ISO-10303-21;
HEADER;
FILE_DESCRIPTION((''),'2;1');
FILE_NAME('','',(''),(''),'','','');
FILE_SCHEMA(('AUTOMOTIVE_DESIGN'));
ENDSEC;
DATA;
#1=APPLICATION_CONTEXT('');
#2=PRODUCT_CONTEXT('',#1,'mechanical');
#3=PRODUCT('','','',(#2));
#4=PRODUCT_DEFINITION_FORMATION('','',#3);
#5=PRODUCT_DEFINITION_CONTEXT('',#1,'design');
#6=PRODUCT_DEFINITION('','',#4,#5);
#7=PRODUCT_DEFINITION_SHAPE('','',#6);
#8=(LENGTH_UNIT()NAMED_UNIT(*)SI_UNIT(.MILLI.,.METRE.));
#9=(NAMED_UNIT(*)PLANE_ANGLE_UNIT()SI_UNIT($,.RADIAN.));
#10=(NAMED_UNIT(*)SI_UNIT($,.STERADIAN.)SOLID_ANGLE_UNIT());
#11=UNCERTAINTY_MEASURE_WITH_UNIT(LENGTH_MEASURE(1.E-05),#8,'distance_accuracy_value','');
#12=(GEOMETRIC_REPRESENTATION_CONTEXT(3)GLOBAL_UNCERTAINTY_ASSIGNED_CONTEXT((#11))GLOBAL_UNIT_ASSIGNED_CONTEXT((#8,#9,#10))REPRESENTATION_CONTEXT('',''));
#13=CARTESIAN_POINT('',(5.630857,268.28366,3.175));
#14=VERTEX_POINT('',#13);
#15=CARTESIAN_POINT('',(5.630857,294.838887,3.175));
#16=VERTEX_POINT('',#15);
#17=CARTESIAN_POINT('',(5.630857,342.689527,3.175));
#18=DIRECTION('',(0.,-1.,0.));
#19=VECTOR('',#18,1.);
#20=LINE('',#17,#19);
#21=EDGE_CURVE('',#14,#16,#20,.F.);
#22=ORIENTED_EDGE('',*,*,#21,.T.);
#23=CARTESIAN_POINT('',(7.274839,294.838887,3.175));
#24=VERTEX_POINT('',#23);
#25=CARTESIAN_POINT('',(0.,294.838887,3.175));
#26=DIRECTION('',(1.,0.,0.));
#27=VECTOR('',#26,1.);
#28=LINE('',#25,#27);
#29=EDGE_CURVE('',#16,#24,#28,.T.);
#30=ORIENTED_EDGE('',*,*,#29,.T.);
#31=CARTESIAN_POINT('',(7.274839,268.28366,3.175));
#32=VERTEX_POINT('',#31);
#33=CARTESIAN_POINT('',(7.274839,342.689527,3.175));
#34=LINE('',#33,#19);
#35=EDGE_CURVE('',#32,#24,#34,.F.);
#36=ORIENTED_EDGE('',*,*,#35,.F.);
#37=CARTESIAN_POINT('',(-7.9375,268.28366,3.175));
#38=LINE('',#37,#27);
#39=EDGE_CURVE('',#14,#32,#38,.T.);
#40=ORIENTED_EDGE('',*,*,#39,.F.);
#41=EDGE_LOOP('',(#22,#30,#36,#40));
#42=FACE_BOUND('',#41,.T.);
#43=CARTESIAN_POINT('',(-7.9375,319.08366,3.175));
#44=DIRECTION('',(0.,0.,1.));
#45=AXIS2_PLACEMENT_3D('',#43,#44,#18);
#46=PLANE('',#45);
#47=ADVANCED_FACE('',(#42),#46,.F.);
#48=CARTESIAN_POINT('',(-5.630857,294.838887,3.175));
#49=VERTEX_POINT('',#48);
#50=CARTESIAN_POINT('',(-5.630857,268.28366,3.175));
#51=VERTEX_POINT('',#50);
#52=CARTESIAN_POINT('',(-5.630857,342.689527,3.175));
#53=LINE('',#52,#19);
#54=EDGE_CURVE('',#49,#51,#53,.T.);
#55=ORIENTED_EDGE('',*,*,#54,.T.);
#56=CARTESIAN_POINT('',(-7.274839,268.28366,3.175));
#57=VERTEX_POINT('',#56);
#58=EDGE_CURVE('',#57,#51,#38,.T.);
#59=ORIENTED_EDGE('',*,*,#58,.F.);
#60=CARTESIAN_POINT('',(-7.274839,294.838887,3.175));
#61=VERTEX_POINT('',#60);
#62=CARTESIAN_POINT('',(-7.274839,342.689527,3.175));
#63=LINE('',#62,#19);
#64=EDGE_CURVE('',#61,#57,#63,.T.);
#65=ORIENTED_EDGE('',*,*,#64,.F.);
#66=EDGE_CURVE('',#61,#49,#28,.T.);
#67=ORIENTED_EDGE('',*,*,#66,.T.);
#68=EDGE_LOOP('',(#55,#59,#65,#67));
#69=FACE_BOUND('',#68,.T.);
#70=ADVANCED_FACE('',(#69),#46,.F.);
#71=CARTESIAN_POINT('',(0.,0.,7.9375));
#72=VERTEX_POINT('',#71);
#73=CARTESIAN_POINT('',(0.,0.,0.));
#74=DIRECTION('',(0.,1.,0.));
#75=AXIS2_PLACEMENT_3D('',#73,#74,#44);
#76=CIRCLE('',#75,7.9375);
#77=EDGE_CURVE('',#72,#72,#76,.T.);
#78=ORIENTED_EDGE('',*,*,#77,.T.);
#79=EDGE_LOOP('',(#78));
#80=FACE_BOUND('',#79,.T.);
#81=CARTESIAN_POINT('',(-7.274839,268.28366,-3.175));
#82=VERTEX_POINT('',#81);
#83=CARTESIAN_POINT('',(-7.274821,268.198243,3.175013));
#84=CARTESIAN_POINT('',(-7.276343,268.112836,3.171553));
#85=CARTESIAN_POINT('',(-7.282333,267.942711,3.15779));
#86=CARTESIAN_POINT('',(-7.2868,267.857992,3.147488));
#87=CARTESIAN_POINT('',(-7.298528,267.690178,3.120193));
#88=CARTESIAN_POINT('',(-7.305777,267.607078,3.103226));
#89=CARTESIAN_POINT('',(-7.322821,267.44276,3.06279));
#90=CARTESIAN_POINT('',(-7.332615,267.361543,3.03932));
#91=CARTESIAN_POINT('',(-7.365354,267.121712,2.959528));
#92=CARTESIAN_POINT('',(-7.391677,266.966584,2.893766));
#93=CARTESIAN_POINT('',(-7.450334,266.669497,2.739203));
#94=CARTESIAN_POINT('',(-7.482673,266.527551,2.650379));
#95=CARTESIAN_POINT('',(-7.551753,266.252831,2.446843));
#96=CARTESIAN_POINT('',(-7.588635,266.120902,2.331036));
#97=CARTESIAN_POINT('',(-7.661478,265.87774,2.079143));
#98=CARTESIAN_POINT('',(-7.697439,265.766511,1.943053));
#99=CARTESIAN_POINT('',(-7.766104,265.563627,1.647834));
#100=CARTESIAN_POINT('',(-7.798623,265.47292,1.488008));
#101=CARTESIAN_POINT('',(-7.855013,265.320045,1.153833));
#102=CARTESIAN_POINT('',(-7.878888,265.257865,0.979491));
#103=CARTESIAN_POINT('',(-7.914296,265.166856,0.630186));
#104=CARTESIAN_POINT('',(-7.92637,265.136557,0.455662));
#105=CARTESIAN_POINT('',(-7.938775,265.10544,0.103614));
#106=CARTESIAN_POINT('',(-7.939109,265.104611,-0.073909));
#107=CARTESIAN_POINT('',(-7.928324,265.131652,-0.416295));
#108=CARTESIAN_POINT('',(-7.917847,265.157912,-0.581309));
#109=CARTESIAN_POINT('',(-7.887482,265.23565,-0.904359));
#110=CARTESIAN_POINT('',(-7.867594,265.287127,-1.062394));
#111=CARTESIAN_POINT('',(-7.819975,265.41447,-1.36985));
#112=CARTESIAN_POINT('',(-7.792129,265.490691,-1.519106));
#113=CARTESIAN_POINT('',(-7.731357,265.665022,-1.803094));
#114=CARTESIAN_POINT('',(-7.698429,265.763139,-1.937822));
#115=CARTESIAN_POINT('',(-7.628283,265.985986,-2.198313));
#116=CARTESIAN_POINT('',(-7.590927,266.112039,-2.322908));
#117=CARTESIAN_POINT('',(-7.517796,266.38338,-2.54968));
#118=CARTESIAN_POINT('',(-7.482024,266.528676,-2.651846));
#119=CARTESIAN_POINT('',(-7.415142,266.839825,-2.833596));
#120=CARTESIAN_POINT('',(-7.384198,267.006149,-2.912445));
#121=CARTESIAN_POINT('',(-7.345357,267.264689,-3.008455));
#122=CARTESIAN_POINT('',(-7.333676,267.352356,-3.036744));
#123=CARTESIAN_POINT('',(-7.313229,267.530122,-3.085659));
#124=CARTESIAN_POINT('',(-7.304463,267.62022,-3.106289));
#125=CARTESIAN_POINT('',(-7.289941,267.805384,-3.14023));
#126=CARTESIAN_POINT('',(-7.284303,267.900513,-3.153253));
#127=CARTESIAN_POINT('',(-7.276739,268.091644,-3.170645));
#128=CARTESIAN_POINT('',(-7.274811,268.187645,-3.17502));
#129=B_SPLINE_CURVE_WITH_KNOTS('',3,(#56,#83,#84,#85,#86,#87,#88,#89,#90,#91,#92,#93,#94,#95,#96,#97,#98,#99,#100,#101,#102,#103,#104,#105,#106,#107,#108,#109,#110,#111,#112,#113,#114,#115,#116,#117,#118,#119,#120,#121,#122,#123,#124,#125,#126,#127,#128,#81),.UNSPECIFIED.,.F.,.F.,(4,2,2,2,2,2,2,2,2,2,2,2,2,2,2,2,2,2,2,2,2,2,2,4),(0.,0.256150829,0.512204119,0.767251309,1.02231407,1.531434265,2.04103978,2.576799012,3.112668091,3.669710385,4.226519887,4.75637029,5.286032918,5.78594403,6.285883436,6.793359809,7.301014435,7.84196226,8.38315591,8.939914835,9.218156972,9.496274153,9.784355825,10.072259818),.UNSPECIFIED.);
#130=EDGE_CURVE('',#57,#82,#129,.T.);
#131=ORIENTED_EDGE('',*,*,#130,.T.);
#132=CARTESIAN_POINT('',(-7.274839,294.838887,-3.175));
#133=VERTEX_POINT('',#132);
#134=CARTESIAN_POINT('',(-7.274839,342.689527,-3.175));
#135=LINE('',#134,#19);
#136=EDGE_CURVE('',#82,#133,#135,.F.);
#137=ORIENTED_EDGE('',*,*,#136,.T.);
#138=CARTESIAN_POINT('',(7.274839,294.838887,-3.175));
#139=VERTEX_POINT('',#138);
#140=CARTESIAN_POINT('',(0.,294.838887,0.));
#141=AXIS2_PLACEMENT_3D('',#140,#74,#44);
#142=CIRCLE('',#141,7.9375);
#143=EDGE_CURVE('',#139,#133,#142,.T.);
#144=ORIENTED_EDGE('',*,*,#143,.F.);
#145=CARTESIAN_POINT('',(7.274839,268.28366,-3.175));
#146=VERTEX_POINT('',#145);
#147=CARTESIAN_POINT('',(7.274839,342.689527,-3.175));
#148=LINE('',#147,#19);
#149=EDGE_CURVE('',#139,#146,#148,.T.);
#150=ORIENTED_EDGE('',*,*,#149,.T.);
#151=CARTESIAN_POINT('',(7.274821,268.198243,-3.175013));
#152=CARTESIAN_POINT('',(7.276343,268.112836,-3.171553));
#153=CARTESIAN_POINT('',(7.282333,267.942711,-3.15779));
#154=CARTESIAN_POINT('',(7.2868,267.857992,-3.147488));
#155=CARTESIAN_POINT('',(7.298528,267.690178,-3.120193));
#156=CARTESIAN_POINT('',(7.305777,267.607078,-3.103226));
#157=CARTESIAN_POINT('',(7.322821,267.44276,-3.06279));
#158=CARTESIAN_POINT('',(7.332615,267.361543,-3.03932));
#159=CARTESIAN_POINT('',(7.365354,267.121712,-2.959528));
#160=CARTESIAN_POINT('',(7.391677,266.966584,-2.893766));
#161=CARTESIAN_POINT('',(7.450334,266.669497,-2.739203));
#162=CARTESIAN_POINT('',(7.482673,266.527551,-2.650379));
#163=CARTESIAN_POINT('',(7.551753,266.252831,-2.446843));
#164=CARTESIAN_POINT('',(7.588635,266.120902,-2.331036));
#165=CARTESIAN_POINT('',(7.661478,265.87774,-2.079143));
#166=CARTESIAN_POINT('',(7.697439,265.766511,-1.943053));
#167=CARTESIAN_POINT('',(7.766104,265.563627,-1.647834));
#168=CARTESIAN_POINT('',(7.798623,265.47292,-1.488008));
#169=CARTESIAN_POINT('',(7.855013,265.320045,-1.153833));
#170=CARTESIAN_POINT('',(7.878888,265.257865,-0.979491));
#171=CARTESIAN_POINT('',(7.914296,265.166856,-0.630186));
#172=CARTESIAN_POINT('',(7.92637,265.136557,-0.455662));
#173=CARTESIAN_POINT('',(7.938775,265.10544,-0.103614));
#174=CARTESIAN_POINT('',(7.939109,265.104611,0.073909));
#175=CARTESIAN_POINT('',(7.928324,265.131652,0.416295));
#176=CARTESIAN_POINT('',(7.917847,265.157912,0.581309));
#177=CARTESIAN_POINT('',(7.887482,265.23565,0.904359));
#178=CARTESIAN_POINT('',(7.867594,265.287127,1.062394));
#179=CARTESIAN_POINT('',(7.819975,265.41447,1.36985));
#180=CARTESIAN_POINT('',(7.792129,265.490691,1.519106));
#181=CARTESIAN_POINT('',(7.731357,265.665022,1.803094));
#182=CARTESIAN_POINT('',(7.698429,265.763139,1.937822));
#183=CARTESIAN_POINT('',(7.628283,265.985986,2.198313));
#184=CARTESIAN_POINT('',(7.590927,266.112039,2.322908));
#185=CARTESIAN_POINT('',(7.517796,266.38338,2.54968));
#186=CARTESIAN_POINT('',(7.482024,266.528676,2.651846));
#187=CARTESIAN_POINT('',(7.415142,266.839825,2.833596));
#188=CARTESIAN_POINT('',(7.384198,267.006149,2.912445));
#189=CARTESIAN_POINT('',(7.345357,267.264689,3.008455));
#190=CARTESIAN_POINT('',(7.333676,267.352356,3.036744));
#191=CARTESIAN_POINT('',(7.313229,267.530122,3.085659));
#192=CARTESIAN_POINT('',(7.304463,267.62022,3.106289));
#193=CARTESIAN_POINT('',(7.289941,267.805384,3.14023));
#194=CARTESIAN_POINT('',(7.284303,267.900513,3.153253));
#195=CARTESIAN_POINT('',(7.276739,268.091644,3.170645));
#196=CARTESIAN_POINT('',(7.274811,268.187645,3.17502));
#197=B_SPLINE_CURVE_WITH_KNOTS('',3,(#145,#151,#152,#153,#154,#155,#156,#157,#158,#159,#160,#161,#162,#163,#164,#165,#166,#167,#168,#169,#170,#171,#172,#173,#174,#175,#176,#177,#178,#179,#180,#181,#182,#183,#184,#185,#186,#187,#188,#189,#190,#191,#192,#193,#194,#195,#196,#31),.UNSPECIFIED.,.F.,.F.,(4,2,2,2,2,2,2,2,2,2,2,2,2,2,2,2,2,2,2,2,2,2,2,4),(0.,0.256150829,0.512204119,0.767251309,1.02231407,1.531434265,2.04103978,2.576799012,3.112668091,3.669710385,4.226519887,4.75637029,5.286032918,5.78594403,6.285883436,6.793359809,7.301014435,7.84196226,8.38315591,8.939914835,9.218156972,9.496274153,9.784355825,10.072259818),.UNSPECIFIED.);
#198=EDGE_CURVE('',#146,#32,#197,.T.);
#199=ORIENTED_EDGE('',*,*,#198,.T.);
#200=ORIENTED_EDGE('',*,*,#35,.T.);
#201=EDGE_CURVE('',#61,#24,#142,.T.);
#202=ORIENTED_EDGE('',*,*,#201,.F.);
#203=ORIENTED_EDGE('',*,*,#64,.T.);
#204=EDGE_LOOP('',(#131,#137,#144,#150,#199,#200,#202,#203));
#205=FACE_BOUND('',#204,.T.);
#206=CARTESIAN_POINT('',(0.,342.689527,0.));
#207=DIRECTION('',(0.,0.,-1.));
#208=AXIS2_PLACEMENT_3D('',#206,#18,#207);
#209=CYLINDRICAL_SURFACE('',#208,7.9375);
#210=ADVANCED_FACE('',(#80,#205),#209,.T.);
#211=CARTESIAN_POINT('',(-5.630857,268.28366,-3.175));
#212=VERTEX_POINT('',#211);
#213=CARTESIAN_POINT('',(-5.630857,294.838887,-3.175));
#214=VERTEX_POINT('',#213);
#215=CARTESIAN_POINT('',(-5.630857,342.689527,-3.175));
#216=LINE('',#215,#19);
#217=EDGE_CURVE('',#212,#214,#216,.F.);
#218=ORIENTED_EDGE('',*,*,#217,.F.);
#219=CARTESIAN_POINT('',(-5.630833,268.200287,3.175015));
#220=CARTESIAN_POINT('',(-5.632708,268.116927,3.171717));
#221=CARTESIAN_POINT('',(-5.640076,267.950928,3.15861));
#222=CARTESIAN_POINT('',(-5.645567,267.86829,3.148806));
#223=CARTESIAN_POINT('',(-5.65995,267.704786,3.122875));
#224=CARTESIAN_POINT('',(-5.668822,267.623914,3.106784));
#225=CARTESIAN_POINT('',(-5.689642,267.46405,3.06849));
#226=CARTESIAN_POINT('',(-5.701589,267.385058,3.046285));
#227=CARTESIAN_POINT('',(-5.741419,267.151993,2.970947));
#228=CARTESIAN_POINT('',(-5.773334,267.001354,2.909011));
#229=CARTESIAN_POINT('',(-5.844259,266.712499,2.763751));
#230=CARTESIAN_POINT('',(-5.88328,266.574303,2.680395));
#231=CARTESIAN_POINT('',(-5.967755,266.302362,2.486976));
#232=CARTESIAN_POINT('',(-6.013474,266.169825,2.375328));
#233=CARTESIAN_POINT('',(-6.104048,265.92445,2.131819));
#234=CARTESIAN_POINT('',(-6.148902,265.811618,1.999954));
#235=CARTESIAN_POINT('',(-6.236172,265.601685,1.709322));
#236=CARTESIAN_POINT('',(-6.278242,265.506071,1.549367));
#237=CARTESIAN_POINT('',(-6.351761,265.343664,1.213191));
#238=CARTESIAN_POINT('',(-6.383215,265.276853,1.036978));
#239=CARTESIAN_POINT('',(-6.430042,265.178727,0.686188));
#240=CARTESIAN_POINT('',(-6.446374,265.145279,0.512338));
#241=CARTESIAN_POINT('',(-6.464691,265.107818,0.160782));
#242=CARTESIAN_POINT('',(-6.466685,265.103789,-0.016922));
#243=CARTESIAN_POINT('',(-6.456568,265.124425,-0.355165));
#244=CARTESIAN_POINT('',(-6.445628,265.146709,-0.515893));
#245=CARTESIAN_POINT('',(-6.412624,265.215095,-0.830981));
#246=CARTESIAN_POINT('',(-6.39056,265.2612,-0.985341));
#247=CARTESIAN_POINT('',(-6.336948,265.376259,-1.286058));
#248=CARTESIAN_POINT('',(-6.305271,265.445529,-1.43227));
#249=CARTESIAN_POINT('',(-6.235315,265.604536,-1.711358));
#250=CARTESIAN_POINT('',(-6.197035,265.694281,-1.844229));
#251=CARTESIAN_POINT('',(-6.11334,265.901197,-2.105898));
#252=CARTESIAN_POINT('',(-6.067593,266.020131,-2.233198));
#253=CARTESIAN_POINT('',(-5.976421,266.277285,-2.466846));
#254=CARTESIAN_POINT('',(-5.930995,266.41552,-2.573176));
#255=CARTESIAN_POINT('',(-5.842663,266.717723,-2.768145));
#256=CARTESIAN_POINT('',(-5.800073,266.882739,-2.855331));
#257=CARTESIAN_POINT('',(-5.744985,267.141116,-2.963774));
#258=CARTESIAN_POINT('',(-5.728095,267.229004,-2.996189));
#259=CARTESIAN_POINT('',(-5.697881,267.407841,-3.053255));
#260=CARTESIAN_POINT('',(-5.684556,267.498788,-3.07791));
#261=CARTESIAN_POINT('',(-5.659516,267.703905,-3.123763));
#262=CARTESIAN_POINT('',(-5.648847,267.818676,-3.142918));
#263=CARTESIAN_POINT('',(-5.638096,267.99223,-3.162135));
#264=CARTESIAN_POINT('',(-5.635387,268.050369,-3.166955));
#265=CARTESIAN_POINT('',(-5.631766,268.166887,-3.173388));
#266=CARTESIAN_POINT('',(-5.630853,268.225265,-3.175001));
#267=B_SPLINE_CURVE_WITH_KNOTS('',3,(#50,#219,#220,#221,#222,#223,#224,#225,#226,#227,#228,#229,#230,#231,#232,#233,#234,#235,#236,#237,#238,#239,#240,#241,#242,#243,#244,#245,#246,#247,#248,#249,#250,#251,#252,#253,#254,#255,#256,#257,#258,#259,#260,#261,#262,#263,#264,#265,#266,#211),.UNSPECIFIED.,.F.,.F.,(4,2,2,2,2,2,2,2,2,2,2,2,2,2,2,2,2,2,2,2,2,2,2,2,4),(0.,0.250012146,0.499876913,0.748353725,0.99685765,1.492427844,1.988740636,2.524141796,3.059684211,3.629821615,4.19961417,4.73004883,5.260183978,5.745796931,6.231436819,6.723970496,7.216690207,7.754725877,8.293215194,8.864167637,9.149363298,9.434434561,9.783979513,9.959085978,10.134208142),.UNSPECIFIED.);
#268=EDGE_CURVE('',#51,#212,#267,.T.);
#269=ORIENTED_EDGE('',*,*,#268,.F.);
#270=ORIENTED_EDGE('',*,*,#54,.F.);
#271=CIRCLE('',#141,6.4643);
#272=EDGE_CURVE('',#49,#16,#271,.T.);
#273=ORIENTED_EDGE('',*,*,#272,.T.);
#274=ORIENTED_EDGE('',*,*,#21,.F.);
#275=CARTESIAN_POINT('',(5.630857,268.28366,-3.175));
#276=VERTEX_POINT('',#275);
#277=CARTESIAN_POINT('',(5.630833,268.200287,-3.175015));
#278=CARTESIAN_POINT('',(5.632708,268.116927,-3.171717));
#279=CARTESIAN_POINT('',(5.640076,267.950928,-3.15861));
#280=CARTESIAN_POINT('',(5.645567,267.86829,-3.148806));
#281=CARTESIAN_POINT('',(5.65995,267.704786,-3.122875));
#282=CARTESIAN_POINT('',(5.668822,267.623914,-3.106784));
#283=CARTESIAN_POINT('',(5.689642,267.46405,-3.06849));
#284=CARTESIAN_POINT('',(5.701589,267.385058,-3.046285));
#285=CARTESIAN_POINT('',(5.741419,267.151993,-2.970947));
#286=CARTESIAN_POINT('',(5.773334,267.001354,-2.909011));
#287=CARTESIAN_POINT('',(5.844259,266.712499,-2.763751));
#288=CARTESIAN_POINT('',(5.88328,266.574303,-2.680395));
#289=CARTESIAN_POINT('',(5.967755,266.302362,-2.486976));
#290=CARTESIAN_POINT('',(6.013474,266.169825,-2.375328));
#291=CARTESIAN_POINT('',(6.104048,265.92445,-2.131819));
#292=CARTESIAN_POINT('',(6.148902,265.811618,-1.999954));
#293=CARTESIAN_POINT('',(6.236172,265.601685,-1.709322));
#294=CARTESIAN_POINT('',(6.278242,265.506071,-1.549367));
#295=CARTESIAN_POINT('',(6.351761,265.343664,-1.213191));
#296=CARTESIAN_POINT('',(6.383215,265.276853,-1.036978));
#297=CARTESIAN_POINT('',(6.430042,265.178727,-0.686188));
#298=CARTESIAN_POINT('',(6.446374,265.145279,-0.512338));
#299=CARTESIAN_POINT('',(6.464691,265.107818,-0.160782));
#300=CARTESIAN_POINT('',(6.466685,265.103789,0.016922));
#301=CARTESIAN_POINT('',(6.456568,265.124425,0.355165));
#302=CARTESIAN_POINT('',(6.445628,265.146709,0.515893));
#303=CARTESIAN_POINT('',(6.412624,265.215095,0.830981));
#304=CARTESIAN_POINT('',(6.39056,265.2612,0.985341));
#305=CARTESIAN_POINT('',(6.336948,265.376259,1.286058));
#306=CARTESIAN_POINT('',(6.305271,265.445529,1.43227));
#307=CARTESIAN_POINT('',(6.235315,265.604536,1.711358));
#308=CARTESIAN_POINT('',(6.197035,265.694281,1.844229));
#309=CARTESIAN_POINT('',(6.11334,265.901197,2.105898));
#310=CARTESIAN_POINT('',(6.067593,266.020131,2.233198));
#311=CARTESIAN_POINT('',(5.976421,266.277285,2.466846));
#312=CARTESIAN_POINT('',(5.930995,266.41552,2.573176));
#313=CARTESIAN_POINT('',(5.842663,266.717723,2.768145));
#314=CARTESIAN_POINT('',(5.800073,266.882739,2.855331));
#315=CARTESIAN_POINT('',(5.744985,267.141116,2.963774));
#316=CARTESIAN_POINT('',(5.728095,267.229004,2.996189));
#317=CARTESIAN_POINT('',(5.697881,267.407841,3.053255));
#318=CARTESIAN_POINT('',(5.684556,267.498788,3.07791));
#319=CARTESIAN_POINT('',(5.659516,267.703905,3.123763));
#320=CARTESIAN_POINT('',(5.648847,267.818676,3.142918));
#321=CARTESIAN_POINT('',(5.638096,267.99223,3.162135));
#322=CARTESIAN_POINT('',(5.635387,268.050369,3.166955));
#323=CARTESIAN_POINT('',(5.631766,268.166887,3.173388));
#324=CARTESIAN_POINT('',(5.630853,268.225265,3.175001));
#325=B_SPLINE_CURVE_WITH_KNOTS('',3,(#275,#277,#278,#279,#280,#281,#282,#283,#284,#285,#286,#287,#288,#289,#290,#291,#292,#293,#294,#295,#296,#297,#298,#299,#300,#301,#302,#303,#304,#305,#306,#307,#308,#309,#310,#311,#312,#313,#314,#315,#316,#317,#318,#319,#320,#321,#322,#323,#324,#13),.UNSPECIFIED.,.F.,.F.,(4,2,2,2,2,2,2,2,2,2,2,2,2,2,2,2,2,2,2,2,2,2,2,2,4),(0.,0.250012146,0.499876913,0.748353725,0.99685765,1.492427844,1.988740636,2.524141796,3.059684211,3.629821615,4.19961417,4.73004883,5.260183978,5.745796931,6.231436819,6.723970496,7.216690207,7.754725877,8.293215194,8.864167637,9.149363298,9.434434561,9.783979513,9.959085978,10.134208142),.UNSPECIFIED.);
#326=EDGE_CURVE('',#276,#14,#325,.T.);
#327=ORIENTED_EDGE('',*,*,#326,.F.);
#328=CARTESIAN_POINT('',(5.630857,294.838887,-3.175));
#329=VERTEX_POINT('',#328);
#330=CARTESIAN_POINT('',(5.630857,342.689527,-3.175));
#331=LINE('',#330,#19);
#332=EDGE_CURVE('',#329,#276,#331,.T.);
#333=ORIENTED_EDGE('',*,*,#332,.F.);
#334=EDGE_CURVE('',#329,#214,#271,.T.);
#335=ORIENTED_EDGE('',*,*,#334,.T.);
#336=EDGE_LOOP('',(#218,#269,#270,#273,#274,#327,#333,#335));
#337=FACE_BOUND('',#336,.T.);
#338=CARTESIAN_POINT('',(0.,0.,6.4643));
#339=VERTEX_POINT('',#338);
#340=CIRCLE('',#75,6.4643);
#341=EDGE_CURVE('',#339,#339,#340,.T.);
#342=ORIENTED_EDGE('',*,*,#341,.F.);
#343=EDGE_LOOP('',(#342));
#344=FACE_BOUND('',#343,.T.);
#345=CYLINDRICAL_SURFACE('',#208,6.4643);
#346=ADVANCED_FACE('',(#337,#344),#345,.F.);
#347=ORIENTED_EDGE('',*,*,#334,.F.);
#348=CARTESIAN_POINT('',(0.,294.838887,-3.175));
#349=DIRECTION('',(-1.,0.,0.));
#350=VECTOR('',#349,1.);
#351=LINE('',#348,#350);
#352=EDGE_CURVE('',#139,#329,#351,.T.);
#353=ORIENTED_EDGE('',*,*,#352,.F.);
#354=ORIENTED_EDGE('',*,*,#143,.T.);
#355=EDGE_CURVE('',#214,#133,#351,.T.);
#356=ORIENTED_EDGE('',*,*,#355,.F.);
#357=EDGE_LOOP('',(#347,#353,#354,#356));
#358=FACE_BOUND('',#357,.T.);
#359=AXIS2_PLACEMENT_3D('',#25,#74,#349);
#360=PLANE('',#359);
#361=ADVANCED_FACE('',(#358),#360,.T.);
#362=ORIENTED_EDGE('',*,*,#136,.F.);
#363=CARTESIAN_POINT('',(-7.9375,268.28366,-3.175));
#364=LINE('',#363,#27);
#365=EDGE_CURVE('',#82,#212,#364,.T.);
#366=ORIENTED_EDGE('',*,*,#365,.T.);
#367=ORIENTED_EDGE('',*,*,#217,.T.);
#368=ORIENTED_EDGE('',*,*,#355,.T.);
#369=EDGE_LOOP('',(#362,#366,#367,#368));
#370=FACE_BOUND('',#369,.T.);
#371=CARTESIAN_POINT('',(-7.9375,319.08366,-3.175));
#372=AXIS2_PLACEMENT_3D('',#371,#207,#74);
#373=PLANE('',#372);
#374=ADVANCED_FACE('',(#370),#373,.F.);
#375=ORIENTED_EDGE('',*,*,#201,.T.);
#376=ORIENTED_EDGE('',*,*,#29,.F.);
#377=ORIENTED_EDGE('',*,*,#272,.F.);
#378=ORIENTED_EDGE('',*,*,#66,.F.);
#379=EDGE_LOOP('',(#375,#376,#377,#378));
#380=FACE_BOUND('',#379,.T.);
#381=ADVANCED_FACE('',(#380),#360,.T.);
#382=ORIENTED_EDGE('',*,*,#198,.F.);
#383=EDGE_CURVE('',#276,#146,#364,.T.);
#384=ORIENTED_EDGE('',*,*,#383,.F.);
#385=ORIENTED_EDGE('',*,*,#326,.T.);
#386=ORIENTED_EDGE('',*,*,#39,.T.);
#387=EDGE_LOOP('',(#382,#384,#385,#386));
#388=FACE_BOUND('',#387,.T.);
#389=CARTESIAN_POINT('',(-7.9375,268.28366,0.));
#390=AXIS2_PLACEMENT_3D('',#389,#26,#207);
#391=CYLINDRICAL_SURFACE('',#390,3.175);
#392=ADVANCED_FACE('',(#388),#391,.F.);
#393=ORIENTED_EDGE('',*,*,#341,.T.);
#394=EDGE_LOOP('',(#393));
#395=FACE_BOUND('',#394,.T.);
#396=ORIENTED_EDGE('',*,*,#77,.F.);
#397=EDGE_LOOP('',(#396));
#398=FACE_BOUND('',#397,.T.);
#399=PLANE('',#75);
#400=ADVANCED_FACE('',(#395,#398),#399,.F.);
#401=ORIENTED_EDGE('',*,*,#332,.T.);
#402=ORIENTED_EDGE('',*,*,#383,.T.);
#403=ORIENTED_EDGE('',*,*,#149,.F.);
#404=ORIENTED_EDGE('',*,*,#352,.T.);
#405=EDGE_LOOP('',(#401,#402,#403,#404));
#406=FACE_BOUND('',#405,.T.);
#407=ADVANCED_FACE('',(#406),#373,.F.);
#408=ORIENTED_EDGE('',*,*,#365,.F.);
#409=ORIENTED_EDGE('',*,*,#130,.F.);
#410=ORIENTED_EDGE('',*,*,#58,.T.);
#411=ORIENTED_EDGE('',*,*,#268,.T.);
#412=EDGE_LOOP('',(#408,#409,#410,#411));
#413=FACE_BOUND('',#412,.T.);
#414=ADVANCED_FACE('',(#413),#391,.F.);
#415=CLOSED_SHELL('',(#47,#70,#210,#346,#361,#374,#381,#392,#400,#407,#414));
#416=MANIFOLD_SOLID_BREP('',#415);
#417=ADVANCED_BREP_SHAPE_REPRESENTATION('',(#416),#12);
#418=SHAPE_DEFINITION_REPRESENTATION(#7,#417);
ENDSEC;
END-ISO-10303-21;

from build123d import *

# Parameters (mm, degrees)
SKETCH1_R               = 7.9375
SKETCH1_R_2             = 6.4643
BOSS_EXTRUDE1_DEPTH     = 294.838886828
CUT_EXTRUDE1_DEPTH      = 296.052498716
CUT_EXTRUDE1_DEPTH_BACK = 296.052498716


with BuildPart() as part:
    # Sketch1 → Boss-Extrude1 (new body)
    with BuildSketch(Plane(origin=(0, 0, 0), x_dir=(1, 0, 0), z_dir=(0, 1, 0))):
        with Locations(Location((0, 0, 0), (0, 0, 270))):
            Circle(SKETCH1_R)
        with Locations(Location((0, 0, 0), (0, 0, 270))):
            Circle(SKETCH1_R_2, mode=Mode.SUBTRACT)
    extrude(amount=BOSS_EXTRUDE1_DEPTH)

    # Sketch4 → Cut-Extrude1 (cut, two sides: drawn at the far end of the back side and taken through both)
    with BuildSketch(Plane(origin=(0, 0, 0), x_dir=(0, 0, -1), z_dir=(1, 0, 0)).offset(-CUT_EXTRUDE1_DEPTH_BACK)):
        with BuildLine():
            Line((3.175, 319.083660055), (3.175, 268.283660055))
            ThreePointArc((3.175, 268.283660055), (0, 265.108660055), (-3.175, 268.283660055))
            Line((-3.175, 268.283660055), (-3.175, 319.083660055))
            ThreePointArc((-3.175, 319.083660055), (0, 322.258660055), (3.175, 319.083660055))
        make_face()
    extrude(amount=CUT_EXTRUDE1_DEPTH + CUT_EXTRUDE1_DEPTH_BACK, mode=Mode.SUBTRACT)


solid = part.part
